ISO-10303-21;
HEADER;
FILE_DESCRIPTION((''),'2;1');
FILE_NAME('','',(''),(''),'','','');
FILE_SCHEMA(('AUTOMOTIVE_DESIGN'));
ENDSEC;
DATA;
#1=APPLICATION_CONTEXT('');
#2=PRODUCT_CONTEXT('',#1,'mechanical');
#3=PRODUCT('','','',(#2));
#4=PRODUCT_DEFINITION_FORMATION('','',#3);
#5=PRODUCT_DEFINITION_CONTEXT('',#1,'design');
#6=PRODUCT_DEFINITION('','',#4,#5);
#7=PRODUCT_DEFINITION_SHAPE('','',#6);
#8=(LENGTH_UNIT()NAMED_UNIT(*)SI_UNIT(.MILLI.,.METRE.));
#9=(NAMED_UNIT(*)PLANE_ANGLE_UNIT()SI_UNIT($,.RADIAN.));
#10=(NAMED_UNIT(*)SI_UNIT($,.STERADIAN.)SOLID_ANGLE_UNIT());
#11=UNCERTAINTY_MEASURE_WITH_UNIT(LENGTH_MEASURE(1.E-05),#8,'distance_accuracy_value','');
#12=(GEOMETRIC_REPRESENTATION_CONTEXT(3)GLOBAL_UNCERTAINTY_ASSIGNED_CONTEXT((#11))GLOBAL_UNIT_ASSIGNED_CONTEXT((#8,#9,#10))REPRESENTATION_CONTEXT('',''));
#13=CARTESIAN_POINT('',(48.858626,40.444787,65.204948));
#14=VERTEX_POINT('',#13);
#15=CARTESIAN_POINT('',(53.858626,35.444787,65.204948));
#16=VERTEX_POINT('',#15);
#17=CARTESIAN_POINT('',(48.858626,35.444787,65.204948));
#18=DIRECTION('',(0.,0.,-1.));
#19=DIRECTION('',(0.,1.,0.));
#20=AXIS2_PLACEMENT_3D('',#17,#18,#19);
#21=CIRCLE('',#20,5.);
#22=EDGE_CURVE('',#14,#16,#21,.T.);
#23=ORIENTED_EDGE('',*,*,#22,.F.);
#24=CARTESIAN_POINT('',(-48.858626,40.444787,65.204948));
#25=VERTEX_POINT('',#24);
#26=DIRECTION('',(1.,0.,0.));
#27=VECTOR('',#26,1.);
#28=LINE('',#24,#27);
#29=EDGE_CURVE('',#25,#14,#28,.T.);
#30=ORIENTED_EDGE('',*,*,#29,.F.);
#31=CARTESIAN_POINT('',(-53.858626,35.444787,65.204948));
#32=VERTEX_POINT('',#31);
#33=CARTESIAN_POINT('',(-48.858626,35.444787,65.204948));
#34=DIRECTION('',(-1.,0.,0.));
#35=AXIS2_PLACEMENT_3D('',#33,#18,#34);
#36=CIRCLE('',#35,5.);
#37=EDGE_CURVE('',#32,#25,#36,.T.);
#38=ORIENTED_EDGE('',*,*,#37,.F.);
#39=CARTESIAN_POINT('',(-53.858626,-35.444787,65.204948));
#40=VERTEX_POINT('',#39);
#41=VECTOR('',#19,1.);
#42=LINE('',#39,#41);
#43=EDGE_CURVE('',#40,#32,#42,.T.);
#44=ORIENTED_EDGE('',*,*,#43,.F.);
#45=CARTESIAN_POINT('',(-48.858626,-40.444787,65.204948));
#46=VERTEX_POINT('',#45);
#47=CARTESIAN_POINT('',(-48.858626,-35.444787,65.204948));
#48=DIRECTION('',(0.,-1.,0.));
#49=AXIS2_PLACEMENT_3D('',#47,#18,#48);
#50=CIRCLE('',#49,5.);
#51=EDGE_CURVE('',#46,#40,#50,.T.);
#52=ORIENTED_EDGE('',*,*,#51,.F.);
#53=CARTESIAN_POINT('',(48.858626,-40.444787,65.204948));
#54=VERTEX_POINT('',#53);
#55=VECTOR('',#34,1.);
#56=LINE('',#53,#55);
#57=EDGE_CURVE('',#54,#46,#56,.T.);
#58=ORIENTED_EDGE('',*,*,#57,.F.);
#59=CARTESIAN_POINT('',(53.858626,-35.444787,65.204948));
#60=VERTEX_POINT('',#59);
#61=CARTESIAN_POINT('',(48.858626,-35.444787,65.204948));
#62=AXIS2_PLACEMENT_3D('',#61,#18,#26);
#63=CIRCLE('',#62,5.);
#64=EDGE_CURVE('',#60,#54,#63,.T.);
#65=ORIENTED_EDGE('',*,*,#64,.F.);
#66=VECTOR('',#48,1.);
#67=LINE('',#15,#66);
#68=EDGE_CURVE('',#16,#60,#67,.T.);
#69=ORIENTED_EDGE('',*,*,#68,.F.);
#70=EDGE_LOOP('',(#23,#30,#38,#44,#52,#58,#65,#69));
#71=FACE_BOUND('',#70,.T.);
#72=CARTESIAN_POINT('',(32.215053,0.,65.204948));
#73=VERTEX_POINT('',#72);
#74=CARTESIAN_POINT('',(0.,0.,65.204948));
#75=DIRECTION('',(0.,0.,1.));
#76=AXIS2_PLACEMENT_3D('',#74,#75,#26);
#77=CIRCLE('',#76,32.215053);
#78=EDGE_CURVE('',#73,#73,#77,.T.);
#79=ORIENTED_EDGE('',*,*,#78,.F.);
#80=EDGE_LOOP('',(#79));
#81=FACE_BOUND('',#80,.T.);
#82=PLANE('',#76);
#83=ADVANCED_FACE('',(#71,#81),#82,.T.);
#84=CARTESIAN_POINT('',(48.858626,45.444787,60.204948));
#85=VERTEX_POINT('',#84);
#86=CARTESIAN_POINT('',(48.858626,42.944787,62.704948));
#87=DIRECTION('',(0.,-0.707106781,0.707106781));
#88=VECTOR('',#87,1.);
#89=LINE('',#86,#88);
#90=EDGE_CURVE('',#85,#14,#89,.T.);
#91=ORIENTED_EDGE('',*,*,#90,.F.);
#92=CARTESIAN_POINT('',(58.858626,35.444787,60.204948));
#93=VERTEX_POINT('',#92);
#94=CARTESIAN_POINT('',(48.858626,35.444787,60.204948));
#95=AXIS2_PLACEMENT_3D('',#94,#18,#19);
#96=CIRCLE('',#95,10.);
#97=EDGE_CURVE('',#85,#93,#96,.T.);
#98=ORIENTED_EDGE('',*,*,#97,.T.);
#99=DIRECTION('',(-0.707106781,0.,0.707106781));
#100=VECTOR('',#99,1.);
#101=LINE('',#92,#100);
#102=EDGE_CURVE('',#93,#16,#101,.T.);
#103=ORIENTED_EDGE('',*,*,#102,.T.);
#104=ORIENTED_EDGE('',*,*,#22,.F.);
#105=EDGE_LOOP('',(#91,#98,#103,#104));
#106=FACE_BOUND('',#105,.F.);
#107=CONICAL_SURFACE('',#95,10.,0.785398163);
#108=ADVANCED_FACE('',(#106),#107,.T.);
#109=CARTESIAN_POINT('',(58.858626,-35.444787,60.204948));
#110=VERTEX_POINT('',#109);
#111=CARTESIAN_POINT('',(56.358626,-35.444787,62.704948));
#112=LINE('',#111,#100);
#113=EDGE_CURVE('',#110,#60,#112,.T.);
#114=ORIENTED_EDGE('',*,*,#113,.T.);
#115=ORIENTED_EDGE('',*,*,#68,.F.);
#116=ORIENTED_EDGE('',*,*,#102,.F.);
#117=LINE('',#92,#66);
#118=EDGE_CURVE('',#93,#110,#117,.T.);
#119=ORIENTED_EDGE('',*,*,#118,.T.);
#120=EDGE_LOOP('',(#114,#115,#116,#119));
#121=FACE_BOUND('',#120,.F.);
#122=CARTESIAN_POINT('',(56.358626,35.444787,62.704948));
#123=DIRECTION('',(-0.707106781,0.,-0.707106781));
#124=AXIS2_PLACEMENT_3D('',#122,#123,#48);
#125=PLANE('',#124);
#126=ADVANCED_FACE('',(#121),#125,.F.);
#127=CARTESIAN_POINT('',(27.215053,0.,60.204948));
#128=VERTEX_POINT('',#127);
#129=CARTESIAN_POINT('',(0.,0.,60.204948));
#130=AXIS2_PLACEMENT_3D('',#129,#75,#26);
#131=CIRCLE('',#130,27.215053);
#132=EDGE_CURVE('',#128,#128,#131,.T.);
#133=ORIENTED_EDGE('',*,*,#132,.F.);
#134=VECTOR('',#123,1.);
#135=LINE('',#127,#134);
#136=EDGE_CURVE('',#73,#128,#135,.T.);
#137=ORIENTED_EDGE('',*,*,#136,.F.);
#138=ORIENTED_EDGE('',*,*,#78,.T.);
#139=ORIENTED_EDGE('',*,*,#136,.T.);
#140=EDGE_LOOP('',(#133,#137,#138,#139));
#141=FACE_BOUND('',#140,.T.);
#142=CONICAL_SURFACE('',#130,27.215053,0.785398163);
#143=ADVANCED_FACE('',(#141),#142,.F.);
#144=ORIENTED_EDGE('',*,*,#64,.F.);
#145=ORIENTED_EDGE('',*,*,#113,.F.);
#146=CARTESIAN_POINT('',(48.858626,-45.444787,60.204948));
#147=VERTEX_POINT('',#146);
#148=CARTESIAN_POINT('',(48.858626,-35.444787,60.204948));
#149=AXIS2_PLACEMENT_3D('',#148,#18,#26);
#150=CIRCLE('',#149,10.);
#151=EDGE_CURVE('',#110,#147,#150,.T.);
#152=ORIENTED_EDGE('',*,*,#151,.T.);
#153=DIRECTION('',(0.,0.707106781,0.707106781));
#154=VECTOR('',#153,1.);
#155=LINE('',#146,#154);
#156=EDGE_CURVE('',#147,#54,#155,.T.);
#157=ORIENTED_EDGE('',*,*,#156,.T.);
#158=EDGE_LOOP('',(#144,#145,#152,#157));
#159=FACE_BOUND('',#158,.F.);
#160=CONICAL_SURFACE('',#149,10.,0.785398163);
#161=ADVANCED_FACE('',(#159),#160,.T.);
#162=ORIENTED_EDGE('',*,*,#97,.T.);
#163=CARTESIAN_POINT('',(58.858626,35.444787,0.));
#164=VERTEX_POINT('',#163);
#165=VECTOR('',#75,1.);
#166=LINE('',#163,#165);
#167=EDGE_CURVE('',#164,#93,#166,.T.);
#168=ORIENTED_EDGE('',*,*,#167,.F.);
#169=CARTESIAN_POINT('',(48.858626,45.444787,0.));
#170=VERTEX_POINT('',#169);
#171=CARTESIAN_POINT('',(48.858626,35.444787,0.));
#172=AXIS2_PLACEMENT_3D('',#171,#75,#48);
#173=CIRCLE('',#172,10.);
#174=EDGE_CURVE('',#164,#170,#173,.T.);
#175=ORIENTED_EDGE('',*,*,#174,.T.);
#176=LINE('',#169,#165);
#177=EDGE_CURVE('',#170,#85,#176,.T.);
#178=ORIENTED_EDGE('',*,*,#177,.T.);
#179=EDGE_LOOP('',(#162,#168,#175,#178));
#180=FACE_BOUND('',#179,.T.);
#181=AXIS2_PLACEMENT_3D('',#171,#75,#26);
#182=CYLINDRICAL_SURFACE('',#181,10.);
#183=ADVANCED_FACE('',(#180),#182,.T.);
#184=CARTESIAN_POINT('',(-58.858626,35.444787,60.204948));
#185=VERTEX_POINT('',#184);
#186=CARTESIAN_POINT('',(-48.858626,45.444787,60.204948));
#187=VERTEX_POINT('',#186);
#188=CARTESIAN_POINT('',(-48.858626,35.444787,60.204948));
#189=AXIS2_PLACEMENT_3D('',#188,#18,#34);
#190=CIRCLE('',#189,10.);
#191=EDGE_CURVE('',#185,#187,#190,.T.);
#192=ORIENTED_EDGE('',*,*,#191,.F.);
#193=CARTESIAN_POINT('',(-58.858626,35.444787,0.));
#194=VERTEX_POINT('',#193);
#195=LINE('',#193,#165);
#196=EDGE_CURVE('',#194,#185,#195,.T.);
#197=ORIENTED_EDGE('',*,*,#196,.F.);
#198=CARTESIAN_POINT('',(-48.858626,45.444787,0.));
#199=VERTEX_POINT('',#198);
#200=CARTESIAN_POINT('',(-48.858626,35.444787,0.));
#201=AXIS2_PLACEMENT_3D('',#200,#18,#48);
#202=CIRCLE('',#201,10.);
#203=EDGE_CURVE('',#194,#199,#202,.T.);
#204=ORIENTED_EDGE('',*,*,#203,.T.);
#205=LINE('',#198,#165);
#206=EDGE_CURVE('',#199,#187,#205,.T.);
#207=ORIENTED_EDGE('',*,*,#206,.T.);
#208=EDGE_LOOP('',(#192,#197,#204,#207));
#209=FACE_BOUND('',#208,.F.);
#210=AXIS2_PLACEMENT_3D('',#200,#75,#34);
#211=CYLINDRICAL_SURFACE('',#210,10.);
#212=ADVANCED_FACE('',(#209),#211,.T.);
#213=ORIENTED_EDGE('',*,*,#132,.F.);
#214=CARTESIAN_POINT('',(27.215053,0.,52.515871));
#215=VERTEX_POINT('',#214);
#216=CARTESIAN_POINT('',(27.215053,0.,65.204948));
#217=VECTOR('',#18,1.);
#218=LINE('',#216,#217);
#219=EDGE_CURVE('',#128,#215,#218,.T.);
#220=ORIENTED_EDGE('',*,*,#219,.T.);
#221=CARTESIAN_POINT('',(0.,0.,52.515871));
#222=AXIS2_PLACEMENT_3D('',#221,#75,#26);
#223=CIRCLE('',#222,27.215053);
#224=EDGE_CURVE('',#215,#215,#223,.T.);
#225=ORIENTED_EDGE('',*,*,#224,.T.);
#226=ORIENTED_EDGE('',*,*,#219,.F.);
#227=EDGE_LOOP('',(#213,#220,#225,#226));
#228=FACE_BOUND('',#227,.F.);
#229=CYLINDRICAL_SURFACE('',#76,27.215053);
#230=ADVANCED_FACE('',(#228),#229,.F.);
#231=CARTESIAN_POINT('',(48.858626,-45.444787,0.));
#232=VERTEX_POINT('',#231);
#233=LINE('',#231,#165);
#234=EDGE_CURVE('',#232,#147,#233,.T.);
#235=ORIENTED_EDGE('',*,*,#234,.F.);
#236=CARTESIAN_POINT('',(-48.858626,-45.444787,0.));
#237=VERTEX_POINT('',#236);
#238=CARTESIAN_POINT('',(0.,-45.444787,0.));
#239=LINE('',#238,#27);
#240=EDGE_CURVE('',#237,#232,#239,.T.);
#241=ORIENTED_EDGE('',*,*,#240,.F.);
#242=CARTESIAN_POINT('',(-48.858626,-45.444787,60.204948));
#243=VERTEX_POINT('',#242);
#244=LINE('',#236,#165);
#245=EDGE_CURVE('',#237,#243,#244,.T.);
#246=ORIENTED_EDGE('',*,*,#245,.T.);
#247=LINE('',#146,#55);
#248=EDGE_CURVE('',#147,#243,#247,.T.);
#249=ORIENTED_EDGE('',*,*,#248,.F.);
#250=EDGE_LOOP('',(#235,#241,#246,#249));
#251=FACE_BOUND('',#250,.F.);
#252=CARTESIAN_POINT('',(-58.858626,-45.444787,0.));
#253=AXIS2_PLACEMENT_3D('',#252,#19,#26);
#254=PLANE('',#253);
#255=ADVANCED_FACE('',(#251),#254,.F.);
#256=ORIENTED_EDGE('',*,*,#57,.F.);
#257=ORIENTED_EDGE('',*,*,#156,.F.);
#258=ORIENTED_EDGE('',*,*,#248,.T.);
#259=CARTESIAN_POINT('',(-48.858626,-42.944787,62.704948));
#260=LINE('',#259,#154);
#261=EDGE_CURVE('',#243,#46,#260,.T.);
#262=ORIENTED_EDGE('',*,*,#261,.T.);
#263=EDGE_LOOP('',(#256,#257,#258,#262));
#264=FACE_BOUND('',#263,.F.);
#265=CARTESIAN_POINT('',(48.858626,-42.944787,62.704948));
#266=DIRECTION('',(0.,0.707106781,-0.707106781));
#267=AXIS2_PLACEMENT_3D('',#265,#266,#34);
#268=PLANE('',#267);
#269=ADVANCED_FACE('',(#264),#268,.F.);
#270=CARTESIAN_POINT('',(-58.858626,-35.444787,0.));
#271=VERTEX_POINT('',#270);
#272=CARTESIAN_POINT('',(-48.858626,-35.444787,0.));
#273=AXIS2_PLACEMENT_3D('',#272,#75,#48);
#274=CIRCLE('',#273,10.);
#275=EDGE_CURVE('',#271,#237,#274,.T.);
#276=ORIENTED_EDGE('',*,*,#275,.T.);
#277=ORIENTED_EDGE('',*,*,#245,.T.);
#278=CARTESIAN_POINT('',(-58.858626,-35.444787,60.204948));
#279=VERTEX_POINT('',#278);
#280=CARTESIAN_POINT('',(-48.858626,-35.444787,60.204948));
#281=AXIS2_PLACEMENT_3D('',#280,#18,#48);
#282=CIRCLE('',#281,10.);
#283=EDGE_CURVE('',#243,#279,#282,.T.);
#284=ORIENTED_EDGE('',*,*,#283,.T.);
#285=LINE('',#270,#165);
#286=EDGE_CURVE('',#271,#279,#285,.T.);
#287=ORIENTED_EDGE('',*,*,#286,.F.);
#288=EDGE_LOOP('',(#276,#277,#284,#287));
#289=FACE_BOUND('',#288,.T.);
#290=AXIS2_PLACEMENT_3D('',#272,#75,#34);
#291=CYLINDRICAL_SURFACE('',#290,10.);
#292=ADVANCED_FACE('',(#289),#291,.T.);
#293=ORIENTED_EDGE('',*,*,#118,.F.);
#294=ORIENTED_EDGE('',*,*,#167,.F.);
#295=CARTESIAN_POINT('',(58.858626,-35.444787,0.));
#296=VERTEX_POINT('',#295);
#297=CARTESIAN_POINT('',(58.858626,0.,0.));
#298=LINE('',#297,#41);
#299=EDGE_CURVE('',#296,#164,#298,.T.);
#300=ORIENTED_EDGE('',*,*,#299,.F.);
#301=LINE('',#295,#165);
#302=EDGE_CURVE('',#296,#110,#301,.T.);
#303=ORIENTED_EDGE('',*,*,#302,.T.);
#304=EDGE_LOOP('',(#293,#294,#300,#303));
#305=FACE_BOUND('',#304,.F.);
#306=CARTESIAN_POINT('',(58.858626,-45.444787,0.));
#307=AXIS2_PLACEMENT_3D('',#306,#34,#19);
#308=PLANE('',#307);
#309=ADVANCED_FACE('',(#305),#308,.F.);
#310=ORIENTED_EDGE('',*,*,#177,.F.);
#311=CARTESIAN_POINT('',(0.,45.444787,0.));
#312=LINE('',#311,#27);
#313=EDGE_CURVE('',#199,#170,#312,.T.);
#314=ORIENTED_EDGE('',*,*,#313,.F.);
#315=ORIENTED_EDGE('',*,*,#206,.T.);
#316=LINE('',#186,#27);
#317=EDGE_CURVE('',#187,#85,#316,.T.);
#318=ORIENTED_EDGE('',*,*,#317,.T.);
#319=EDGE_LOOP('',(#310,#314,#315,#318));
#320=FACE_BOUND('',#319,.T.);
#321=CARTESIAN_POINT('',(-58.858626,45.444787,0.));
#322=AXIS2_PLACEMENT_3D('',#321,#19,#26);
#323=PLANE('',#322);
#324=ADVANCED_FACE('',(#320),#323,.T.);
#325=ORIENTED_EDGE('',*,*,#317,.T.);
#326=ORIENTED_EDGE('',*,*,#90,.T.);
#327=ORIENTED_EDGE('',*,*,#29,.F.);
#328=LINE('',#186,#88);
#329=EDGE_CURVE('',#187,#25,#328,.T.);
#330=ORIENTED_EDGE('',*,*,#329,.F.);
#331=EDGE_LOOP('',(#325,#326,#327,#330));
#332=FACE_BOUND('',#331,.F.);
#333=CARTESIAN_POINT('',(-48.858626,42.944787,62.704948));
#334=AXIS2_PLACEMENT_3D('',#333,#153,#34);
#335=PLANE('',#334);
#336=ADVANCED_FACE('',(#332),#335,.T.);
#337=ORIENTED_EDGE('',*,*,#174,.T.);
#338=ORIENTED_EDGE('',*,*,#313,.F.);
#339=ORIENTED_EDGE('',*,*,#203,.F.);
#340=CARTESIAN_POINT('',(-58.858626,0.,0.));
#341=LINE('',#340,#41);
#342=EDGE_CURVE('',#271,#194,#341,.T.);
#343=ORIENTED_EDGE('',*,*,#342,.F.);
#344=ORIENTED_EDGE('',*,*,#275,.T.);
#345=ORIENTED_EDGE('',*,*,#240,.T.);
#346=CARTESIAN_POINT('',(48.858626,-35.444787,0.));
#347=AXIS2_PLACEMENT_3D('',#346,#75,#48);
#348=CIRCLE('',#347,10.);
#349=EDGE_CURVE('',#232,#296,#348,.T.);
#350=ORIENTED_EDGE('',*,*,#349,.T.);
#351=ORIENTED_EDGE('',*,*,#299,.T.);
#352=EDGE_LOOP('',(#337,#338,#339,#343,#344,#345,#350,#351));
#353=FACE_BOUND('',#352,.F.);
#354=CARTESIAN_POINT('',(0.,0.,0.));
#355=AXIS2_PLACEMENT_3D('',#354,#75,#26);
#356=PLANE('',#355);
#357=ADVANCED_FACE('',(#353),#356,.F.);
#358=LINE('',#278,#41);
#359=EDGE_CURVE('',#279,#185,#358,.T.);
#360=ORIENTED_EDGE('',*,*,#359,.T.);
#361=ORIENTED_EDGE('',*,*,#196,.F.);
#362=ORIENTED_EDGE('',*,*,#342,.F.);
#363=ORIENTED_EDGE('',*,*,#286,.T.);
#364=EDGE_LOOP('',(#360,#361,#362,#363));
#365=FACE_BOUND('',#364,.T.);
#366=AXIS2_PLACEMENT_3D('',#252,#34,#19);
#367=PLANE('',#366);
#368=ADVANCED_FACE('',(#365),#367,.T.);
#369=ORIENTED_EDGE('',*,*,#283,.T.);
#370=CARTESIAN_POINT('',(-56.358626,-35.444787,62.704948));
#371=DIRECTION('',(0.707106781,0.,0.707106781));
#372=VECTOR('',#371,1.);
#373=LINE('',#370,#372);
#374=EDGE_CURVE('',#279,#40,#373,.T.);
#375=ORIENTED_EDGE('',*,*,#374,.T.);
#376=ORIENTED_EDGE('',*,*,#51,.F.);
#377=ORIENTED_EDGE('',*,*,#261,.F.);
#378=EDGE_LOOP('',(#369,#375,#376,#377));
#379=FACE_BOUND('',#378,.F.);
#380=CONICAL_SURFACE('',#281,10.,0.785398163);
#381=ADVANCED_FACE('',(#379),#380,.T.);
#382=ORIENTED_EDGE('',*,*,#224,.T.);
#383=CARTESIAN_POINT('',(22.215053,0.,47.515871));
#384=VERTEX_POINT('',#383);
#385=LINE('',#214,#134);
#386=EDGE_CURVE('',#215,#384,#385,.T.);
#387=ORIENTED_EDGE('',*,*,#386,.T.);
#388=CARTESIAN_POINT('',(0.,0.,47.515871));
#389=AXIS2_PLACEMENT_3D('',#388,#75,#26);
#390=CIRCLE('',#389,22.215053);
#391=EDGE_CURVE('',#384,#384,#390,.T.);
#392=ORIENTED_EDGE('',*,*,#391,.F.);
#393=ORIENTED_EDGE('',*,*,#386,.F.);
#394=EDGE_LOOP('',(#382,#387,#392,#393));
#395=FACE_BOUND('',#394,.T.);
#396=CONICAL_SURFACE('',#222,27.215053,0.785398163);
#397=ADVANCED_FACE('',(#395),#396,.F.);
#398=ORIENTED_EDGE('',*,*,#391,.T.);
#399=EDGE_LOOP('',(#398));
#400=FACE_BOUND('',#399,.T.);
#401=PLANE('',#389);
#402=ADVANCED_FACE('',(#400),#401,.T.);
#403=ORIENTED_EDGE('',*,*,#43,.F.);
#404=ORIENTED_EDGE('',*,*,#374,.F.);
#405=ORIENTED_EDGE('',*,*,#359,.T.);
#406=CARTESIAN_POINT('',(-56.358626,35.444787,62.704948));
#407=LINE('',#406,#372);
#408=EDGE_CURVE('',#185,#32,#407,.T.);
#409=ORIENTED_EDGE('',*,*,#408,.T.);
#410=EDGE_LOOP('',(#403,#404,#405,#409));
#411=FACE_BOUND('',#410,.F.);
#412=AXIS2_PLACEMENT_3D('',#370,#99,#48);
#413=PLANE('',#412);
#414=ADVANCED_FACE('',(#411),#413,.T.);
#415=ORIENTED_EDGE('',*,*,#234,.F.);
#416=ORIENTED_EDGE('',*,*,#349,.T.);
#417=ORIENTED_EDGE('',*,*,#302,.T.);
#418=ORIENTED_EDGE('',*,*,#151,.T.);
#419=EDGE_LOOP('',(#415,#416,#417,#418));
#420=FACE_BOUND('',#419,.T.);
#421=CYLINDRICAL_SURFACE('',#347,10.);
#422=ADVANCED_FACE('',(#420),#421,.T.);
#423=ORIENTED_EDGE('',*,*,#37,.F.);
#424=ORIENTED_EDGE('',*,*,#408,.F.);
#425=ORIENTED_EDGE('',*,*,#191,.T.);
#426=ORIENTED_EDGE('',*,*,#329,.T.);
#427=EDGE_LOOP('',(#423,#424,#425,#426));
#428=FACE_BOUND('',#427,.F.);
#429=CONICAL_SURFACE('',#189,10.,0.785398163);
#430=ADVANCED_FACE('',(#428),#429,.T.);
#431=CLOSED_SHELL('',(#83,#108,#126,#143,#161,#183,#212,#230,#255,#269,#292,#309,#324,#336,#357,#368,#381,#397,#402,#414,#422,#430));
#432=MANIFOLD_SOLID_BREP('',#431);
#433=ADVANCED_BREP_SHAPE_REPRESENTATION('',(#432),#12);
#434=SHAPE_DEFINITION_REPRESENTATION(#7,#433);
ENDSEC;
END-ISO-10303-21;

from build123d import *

# Parameters (mm, degrees)
F0_W     = 117.717252
F0_H     = 90.889574
F1_DEPTH = 65.204948
F2_R     = 10
F3_SIZE  = 5
F4_R     = 27.215053
F5_DEPTH = 17.689077
F6_SIZE  = 5


with BuildPart() as f1:
    # F0 (on Top) → F1 (new body)
    with BuildSketch(Plane.XY):
        Rectangle(F0_W, F0_H)
    extrude(amount=F1_DEPTH)

    # F2
    f2_edges = [f1.edges().sort_by_distance(p)[0] for p in [
        (-58.858626, 45.444787, 32.602474),
        (-58.858626, -45.444787, 32.602474),
        (58.858626, -45.444787, 32.602474),
        (58.858626, 45.444787, 32.602474),
    ]]
    fillet(f2_edges, radius=F2_R)

    # F3
    f3_edges = [f1.edges().sort_by_distance(p)[0] for p in [
        (-58.858626, 0, 65.204948),
        (-55.929693, 42.515854, 65.204948),
        (-55.929693, -42.515854, 65.204948),
        (0, 45.444787, 65.204948),
        (0, -45.444787, 65.204948),
        (55.929693, 42.515854, 65.204948),
        (55.929693, -42.515854, 65.204948),
        (58.858626, 0, 65.204948),
    ]]
    chamfer(f3_edges, length=F3_SIZE)

    # F4 (on face) → F5 (cut)
    with BuildSketch(Plane.XY.offset(65.204948)):
        Circle(F4_R)
    extrude(amount=-F5_DEPTH, mode=Mode.SUBTRACT)

    # F6
    f6_edges = [f1.edges().sort_by_distance(p)[0] for p in [
        (27.215053, 0, 56.36041),
        (-27.215053, 0, 65.204948),
        (-27.215053, 0, 47.515871),
    ]]
    chamfer(f6_edges, length=F6_SIZE)


solid = f1.part
